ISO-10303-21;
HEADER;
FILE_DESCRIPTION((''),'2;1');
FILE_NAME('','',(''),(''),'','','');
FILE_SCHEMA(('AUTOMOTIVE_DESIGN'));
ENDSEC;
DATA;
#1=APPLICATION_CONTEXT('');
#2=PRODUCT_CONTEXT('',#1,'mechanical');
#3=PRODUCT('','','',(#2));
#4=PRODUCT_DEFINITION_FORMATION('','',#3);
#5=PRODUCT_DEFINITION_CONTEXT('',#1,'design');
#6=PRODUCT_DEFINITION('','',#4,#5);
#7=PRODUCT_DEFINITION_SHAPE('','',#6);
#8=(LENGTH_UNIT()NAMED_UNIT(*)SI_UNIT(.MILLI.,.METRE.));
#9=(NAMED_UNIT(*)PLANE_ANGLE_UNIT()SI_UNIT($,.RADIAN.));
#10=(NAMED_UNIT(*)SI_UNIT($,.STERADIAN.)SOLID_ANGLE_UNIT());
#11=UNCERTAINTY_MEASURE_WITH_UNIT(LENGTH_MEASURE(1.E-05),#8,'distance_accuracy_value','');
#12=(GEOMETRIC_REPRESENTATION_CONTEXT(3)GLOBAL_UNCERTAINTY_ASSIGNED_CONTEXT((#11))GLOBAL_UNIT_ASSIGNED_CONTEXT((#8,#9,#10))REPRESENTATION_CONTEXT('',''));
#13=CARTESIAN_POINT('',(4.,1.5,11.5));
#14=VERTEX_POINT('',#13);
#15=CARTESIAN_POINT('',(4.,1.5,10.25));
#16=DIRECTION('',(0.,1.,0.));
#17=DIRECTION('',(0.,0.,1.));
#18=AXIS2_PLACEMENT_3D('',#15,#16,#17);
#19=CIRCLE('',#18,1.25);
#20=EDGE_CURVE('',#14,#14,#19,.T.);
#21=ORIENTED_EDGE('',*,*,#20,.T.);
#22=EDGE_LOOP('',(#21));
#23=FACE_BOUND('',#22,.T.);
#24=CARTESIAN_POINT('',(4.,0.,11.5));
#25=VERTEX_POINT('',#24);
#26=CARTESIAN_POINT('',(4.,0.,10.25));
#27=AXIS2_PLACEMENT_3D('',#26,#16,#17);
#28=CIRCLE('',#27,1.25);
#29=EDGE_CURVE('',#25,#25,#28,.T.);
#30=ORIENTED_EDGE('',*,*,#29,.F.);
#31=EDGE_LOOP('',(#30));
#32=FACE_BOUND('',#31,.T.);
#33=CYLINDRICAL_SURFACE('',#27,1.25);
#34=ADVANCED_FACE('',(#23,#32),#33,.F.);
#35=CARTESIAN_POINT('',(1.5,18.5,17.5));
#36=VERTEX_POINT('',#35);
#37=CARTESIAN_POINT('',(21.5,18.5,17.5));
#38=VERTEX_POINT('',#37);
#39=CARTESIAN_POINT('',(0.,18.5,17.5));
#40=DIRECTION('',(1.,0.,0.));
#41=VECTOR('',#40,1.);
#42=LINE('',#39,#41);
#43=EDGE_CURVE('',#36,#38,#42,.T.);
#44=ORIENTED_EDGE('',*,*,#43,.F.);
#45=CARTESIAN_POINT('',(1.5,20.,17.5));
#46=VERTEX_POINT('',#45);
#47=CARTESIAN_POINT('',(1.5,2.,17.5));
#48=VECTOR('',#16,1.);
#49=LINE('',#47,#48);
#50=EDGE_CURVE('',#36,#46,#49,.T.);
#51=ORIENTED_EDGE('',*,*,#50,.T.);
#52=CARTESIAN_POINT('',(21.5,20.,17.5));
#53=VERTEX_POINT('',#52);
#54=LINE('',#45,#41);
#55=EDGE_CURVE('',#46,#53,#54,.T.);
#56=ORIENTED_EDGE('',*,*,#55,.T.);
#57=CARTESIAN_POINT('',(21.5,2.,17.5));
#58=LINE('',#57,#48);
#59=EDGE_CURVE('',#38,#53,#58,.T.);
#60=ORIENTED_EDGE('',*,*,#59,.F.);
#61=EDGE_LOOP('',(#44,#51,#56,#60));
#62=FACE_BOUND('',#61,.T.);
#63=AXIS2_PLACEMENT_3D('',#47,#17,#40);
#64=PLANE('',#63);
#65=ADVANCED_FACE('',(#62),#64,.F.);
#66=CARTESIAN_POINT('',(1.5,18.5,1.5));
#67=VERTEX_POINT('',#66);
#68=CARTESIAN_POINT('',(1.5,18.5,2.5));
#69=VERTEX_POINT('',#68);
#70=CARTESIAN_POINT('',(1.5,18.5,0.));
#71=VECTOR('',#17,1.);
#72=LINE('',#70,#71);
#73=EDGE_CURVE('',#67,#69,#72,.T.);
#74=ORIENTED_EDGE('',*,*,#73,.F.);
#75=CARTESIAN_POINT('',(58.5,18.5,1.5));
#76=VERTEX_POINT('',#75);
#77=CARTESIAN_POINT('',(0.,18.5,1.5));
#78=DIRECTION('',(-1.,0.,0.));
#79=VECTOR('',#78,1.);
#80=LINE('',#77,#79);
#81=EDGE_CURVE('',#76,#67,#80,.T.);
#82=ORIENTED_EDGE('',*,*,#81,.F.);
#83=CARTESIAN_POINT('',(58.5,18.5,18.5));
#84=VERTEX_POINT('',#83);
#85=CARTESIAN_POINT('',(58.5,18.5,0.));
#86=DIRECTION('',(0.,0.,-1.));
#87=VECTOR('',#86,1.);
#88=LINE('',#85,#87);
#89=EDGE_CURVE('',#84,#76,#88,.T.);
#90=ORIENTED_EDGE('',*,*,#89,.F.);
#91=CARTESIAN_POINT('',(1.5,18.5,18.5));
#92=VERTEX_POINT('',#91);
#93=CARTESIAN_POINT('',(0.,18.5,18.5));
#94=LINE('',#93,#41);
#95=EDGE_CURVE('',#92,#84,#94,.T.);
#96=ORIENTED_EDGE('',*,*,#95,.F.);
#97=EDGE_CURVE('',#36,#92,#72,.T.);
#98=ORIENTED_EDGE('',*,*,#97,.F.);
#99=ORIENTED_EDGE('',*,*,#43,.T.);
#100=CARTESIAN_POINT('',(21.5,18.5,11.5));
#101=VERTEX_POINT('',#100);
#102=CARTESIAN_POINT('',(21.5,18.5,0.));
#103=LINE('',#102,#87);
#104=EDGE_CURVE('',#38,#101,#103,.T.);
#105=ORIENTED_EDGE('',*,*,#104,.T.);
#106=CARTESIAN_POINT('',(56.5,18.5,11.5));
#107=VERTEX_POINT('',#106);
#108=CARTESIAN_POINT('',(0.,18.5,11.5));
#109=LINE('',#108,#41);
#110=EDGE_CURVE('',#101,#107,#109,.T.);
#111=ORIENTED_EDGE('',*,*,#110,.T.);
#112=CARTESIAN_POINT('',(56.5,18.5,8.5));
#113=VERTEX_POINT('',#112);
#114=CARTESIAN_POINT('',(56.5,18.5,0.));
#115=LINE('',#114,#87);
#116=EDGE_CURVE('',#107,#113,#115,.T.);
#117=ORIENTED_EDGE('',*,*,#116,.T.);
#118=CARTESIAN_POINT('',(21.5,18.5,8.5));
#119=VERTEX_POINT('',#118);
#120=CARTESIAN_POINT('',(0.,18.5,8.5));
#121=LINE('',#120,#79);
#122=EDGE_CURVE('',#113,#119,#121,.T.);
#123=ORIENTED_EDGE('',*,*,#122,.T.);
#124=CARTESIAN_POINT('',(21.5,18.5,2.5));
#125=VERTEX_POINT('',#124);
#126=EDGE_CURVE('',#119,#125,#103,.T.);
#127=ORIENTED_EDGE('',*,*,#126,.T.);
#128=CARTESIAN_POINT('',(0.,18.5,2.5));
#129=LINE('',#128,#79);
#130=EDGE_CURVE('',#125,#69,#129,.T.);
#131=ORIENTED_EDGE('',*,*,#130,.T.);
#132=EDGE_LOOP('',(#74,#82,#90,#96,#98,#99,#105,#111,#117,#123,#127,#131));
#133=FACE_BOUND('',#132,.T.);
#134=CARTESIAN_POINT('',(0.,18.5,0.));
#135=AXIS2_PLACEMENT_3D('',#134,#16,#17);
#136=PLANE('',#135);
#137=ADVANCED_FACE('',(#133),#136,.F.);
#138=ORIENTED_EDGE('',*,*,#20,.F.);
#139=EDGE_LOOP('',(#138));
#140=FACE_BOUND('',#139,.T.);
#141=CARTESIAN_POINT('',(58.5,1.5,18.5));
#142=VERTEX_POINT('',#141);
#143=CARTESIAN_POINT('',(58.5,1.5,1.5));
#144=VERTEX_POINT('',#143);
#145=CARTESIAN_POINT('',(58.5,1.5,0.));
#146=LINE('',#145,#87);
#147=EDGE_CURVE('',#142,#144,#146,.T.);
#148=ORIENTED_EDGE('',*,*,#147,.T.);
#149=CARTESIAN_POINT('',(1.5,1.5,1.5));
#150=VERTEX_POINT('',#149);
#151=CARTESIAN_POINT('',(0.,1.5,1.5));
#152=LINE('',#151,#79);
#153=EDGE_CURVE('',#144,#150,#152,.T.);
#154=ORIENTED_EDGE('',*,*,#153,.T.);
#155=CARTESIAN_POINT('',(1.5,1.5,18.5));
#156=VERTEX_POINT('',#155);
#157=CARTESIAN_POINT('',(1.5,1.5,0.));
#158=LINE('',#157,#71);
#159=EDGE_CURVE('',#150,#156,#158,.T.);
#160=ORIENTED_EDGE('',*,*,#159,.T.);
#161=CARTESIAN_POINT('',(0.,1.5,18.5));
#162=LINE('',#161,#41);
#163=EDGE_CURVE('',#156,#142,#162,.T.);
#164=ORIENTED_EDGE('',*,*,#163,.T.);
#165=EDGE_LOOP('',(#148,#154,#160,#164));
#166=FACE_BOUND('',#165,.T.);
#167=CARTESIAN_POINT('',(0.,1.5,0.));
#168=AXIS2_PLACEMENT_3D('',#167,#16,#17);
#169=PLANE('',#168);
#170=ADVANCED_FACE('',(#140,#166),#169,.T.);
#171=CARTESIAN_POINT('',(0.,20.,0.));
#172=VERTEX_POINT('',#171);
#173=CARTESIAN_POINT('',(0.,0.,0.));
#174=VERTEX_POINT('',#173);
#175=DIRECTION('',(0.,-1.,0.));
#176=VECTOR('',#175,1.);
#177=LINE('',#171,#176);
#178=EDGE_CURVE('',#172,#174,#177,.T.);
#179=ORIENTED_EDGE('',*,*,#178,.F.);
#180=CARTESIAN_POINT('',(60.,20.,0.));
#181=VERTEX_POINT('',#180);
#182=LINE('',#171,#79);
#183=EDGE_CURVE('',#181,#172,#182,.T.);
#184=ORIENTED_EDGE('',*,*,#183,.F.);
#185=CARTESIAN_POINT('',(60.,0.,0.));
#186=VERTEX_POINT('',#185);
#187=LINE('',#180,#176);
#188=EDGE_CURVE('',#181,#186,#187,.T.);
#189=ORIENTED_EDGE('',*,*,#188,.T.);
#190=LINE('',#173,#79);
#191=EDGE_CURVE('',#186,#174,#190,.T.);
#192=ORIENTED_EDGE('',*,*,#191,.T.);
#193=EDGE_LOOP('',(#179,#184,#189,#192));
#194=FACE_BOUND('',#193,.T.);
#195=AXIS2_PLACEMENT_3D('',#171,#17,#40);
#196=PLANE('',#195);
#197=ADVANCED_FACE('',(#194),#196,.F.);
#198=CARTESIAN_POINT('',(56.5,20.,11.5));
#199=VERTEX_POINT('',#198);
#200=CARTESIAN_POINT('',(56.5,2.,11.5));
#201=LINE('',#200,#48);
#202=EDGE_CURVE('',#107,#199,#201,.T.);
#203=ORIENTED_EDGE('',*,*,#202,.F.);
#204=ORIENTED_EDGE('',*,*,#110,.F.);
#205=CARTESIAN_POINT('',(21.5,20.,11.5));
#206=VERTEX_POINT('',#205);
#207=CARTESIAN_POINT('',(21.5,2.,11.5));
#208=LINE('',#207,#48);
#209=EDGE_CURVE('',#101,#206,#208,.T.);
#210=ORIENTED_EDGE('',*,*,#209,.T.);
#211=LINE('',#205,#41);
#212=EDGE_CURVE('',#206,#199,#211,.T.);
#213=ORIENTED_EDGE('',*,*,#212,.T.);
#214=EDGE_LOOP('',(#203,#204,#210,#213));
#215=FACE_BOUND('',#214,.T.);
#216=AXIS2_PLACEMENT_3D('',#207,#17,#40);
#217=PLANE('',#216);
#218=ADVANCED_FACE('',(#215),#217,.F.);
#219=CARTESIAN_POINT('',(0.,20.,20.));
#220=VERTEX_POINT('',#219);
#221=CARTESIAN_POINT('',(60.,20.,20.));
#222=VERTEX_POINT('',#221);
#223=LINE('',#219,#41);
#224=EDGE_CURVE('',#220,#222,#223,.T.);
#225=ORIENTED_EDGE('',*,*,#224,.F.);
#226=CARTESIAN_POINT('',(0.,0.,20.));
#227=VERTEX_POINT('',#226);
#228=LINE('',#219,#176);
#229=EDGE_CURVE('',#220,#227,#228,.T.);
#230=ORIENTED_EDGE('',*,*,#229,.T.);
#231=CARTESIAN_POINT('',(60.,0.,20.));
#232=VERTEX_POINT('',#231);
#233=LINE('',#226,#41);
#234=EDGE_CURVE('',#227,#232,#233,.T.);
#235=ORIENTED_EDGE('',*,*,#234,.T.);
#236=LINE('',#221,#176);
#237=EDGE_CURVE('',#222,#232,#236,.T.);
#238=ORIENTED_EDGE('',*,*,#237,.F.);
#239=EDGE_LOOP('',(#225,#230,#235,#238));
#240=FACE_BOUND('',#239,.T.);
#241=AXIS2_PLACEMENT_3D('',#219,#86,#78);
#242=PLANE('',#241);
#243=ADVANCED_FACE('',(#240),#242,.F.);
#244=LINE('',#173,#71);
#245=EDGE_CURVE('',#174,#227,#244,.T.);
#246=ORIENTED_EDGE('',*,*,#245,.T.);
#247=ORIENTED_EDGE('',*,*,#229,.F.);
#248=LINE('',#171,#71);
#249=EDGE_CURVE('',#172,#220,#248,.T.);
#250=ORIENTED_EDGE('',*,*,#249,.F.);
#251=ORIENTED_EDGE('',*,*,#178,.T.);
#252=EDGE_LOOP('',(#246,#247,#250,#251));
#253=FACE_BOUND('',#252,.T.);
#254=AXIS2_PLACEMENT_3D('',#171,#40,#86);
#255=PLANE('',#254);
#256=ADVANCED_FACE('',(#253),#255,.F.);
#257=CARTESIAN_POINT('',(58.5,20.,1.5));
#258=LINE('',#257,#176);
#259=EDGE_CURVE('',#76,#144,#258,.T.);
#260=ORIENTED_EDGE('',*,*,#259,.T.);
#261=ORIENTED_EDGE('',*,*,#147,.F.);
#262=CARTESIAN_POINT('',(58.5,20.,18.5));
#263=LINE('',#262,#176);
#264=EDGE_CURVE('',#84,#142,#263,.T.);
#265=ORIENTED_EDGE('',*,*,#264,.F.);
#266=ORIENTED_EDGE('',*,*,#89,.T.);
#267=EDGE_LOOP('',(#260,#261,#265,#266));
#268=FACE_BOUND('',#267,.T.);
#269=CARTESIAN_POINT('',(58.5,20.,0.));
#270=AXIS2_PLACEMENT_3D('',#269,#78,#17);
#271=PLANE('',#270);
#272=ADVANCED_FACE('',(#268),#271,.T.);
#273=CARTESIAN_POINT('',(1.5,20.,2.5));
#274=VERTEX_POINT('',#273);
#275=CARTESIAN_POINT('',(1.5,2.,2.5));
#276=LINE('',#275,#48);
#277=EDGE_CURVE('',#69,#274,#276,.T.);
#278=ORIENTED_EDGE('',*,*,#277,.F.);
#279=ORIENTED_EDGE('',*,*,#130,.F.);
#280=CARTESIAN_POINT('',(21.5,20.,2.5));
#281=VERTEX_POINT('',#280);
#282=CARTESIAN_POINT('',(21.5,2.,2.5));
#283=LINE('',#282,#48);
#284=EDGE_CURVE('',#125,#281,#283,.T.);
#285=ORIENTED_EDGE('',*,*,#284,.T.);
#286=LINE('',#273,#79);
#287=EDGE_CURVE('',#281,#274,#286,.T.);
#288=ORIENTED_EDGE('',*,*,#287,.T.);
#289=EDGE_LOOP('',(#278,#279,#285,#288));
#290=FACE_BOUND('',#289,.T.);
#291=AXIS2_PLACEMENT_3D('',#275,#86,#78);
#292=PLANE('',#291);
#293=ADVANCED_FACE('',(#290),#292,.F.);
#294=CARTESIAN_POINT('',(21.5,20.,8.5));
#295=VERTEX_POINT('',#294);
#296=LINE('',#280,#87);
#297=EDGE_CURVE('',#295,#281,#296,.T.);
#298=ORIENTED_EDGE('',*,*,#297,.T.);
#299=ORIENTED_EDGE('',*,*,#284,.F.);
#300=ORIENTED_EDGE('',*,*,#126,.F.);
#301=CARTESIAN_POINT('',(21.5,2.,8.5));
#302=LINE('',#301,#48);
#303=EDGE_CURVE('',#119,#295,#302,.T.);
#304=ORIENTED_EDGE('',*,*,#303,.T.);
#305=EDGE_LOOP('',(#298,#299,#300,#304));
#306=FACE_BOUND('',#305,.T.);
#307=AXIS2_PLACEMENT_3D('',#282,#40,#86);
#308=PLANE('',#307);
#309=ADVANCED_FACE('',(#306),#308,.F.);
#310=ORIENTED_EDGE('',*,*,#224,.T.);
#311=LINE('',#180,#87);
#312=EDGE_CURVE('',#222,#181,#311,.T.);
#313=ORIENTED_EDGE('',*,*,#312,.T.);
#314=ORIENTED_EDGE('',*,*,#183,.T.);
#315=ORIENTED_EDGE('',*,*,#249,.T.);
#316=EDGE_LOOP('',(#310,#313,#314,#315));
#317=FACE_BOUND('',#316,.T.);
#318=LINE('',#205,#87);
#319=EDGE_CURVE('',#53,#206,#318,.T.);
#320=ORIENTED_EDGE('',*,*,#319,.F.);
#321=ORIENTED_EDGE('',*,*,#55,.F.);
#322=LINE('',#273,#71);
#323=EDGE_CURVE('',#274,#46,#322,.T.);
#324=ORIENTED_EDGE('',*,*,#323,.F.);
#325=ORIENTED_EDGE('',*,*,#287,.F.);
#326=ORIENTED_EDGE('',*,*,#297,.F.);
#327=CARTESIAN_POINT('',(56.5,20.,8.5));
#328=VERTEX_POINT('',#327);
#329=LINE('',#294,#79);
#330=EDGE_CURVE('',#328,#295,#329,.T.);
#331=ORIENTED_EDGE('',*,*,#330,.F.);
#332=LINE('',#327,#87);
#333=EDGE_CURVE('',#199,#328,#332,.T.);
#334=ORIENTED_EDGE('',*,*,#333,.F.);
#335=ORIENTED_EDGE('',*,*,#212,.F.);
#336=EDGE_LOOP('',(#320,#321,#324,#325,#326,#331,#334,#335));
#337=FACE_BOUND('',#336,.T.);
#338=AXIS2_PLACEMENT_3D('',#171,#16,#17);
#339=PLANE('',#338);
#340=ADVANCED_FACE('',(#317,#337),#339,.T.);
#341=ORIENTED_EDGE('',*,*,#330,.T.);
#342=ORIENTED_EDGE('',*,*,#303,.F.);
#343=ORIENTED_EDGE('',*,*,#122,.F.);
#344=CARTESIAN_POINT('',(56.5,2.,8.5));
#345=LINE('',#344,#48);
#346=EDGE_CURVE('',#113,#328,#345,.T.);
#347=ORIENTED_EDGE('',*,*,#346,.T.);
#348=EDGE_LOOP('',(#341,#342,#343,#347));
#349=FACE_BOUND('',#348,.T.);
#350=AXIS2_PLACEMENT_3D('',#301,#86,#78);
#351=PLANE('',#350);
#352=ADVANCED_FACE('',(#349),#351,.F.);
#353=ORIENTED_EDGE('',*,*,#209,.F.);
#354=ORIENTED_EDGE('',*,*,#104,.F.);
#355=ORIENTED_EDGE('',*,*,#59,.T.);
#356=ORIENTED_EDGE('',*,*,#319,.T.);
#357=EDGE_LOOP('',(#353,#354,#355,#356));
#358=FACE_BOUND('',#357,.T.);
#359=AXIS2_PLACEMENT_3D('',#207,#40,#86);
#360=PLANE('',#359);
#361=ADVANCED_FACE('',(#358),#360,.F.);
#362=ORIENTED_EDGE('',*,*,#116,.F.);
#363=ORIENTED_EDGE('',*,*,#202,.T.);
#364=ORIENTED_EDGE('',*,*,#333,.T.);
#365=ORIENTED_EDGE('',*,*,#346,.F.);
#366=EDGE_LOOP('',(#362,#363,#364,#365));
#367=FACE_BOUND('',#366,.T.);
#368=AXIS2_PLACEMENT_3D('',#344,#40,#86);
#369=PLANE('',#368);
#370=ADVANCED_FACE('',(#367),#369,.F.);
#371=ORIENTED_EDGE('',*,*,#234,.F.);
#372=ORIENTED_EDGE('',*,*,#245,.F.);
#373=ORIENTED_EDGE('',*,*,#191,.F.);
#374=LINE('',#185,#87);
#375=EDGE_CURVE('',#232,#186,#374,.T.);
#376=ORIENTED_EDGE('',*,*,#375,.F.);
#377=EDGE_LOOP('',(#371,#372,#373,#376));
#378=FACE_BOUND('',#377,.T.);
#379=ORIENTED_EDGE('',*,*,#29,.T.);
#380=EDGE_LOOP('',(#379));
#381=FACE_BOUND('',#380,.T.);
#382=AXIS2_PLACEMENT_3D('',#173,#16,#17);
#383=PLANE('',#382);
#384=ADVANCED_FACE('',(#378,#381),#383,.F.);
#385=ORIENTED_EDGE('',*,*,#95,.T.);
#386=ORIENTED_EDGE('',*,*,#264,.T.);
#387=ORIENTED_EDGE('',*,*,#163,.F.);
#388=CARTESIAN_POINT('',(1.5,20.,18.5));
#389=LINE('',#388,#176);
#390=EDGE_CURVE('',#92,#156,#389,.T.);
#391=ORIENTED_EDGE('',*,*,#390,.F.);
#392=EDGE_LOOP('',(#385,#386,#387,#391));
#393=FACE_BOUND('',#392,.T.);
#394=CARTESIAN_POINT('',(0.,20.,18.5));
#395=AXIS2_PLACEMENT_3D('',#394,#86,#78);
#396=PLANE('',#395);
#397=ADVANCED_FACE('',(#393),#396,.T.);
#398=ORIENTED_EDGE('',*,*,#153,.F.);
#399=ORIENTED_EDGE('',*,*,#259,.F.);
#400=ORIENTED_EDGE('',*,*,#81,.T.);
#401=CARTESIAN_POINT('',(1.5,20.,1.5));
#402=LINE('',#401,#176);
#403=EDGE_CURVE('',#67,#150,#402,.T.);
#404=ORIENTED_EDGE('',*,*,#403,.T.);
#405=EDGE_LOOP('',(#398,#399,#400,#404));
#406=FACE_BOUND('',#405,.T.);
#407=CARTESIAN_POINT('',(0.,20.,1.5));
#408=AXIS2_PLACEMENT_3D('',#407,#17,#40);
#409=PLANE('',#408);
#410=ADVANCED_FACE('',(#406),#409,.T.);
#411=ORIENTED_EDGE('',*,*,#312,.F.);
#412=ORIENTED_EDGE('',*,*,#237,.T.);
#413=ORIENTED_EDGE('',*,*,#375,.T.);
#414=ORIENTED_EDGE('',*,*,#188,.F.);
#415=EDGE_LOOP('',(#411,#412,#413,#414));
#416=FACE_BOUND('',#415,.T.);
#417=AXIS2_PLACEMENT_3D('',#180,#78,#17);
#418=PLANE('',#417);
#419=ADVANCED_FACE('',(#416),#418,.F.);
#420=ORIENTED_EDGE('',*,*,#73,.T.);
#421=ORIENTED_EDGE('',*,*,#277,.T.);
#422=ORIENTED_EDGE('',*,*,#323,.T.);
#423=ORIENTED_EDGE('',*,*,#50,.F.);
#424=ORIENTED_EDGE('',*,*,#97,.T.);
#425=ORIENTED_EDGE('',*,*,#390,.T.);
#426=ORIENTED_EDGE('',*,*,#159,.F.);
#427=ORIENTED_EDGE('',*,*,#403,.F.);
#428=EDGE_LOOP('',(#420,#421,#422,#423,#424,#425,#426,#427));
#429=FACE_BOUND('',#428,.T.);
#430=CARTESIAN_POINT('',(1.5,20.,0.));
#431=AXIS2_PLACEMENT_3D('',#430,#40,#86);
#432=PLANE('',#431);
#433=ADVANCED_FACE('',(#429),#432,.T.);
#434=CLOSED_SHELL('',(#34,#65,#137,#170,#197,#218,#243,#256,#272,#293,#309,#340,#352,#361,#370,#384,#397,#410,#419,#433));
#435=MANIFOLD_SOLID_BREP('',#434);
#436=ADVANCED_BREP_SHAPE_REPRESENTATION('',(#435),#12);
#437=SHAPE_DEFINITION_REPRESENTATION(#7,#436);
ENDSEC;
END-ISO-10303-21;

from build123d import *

# Parameters (mm, degrees)
CROQUIS1_W              = 60
CROQUIS1_H              = 20
SALIENTE_EXTRUIR1_DEPTH = 20
VACIADO1_T              = 1.5
CORTAR_EXTRUIR1_DEPTH   = 18
CROQUIS3_R              = 1.25
CORTAR_EXTRUIR2_DEPTH   = 2.5


with BuildPart() as part:
    # Croquis1 → Saliente-Extruir1 (new body)
    with BuildSketch(Plane(origin=(0, 0, 0), x_dir=(1, 0, 0), z_dir=(0, 1, 0))):
        with Locations((30, -10)):
            Rectangle(CROQUIS1_W, CROQUIS1_H)
    extrude(amount=SALIENTE_EXTRUIR1_DEPTH)

    # Vaciado1 (no face opened: a closed hollow body)
    add(offset(amount=-VACIADO1_T, mode=Mode.PRIVATE), mode=Mode.SUBTRACT)

    # Croquis2 → Cortar-Extruir1 (cut)
    with BuildSketch(Plane(origin=(0, 20, 0), x_dir=(1, 0, 0), z_dir=(0, 1, 0))):
        Polygon((1.5, -2.5), (21.5, -2.5), (21.5, -8.5), (56.5, -8.5), (56.5, -11.5), (21.5, -11.5), (21.5, -17.5), (1.5, -17.5), align=None)
    extrude(amount=-CORTAR_EXTRUIR1_DEPTH, mode=Mode.SUBTRACT)

    # Croquis3 → Cortar-Extruir2 (cut, through all)
    with BuildSketch(Plane(origin=(0, 1.5, 0), x_dir=(1, 0, 0), z_dir=(0, 1, 0))):
        with Locations(Location((4, -10.25, 0), (0, 0, 270))):  # turned: the seam where the file's is
            Circle(CROQUIS3_R)
    extrude(amount=-CORTAR_EXTRUIR2_DEPTH, mode=Mode.SUBTRACT)


solid = part.part
